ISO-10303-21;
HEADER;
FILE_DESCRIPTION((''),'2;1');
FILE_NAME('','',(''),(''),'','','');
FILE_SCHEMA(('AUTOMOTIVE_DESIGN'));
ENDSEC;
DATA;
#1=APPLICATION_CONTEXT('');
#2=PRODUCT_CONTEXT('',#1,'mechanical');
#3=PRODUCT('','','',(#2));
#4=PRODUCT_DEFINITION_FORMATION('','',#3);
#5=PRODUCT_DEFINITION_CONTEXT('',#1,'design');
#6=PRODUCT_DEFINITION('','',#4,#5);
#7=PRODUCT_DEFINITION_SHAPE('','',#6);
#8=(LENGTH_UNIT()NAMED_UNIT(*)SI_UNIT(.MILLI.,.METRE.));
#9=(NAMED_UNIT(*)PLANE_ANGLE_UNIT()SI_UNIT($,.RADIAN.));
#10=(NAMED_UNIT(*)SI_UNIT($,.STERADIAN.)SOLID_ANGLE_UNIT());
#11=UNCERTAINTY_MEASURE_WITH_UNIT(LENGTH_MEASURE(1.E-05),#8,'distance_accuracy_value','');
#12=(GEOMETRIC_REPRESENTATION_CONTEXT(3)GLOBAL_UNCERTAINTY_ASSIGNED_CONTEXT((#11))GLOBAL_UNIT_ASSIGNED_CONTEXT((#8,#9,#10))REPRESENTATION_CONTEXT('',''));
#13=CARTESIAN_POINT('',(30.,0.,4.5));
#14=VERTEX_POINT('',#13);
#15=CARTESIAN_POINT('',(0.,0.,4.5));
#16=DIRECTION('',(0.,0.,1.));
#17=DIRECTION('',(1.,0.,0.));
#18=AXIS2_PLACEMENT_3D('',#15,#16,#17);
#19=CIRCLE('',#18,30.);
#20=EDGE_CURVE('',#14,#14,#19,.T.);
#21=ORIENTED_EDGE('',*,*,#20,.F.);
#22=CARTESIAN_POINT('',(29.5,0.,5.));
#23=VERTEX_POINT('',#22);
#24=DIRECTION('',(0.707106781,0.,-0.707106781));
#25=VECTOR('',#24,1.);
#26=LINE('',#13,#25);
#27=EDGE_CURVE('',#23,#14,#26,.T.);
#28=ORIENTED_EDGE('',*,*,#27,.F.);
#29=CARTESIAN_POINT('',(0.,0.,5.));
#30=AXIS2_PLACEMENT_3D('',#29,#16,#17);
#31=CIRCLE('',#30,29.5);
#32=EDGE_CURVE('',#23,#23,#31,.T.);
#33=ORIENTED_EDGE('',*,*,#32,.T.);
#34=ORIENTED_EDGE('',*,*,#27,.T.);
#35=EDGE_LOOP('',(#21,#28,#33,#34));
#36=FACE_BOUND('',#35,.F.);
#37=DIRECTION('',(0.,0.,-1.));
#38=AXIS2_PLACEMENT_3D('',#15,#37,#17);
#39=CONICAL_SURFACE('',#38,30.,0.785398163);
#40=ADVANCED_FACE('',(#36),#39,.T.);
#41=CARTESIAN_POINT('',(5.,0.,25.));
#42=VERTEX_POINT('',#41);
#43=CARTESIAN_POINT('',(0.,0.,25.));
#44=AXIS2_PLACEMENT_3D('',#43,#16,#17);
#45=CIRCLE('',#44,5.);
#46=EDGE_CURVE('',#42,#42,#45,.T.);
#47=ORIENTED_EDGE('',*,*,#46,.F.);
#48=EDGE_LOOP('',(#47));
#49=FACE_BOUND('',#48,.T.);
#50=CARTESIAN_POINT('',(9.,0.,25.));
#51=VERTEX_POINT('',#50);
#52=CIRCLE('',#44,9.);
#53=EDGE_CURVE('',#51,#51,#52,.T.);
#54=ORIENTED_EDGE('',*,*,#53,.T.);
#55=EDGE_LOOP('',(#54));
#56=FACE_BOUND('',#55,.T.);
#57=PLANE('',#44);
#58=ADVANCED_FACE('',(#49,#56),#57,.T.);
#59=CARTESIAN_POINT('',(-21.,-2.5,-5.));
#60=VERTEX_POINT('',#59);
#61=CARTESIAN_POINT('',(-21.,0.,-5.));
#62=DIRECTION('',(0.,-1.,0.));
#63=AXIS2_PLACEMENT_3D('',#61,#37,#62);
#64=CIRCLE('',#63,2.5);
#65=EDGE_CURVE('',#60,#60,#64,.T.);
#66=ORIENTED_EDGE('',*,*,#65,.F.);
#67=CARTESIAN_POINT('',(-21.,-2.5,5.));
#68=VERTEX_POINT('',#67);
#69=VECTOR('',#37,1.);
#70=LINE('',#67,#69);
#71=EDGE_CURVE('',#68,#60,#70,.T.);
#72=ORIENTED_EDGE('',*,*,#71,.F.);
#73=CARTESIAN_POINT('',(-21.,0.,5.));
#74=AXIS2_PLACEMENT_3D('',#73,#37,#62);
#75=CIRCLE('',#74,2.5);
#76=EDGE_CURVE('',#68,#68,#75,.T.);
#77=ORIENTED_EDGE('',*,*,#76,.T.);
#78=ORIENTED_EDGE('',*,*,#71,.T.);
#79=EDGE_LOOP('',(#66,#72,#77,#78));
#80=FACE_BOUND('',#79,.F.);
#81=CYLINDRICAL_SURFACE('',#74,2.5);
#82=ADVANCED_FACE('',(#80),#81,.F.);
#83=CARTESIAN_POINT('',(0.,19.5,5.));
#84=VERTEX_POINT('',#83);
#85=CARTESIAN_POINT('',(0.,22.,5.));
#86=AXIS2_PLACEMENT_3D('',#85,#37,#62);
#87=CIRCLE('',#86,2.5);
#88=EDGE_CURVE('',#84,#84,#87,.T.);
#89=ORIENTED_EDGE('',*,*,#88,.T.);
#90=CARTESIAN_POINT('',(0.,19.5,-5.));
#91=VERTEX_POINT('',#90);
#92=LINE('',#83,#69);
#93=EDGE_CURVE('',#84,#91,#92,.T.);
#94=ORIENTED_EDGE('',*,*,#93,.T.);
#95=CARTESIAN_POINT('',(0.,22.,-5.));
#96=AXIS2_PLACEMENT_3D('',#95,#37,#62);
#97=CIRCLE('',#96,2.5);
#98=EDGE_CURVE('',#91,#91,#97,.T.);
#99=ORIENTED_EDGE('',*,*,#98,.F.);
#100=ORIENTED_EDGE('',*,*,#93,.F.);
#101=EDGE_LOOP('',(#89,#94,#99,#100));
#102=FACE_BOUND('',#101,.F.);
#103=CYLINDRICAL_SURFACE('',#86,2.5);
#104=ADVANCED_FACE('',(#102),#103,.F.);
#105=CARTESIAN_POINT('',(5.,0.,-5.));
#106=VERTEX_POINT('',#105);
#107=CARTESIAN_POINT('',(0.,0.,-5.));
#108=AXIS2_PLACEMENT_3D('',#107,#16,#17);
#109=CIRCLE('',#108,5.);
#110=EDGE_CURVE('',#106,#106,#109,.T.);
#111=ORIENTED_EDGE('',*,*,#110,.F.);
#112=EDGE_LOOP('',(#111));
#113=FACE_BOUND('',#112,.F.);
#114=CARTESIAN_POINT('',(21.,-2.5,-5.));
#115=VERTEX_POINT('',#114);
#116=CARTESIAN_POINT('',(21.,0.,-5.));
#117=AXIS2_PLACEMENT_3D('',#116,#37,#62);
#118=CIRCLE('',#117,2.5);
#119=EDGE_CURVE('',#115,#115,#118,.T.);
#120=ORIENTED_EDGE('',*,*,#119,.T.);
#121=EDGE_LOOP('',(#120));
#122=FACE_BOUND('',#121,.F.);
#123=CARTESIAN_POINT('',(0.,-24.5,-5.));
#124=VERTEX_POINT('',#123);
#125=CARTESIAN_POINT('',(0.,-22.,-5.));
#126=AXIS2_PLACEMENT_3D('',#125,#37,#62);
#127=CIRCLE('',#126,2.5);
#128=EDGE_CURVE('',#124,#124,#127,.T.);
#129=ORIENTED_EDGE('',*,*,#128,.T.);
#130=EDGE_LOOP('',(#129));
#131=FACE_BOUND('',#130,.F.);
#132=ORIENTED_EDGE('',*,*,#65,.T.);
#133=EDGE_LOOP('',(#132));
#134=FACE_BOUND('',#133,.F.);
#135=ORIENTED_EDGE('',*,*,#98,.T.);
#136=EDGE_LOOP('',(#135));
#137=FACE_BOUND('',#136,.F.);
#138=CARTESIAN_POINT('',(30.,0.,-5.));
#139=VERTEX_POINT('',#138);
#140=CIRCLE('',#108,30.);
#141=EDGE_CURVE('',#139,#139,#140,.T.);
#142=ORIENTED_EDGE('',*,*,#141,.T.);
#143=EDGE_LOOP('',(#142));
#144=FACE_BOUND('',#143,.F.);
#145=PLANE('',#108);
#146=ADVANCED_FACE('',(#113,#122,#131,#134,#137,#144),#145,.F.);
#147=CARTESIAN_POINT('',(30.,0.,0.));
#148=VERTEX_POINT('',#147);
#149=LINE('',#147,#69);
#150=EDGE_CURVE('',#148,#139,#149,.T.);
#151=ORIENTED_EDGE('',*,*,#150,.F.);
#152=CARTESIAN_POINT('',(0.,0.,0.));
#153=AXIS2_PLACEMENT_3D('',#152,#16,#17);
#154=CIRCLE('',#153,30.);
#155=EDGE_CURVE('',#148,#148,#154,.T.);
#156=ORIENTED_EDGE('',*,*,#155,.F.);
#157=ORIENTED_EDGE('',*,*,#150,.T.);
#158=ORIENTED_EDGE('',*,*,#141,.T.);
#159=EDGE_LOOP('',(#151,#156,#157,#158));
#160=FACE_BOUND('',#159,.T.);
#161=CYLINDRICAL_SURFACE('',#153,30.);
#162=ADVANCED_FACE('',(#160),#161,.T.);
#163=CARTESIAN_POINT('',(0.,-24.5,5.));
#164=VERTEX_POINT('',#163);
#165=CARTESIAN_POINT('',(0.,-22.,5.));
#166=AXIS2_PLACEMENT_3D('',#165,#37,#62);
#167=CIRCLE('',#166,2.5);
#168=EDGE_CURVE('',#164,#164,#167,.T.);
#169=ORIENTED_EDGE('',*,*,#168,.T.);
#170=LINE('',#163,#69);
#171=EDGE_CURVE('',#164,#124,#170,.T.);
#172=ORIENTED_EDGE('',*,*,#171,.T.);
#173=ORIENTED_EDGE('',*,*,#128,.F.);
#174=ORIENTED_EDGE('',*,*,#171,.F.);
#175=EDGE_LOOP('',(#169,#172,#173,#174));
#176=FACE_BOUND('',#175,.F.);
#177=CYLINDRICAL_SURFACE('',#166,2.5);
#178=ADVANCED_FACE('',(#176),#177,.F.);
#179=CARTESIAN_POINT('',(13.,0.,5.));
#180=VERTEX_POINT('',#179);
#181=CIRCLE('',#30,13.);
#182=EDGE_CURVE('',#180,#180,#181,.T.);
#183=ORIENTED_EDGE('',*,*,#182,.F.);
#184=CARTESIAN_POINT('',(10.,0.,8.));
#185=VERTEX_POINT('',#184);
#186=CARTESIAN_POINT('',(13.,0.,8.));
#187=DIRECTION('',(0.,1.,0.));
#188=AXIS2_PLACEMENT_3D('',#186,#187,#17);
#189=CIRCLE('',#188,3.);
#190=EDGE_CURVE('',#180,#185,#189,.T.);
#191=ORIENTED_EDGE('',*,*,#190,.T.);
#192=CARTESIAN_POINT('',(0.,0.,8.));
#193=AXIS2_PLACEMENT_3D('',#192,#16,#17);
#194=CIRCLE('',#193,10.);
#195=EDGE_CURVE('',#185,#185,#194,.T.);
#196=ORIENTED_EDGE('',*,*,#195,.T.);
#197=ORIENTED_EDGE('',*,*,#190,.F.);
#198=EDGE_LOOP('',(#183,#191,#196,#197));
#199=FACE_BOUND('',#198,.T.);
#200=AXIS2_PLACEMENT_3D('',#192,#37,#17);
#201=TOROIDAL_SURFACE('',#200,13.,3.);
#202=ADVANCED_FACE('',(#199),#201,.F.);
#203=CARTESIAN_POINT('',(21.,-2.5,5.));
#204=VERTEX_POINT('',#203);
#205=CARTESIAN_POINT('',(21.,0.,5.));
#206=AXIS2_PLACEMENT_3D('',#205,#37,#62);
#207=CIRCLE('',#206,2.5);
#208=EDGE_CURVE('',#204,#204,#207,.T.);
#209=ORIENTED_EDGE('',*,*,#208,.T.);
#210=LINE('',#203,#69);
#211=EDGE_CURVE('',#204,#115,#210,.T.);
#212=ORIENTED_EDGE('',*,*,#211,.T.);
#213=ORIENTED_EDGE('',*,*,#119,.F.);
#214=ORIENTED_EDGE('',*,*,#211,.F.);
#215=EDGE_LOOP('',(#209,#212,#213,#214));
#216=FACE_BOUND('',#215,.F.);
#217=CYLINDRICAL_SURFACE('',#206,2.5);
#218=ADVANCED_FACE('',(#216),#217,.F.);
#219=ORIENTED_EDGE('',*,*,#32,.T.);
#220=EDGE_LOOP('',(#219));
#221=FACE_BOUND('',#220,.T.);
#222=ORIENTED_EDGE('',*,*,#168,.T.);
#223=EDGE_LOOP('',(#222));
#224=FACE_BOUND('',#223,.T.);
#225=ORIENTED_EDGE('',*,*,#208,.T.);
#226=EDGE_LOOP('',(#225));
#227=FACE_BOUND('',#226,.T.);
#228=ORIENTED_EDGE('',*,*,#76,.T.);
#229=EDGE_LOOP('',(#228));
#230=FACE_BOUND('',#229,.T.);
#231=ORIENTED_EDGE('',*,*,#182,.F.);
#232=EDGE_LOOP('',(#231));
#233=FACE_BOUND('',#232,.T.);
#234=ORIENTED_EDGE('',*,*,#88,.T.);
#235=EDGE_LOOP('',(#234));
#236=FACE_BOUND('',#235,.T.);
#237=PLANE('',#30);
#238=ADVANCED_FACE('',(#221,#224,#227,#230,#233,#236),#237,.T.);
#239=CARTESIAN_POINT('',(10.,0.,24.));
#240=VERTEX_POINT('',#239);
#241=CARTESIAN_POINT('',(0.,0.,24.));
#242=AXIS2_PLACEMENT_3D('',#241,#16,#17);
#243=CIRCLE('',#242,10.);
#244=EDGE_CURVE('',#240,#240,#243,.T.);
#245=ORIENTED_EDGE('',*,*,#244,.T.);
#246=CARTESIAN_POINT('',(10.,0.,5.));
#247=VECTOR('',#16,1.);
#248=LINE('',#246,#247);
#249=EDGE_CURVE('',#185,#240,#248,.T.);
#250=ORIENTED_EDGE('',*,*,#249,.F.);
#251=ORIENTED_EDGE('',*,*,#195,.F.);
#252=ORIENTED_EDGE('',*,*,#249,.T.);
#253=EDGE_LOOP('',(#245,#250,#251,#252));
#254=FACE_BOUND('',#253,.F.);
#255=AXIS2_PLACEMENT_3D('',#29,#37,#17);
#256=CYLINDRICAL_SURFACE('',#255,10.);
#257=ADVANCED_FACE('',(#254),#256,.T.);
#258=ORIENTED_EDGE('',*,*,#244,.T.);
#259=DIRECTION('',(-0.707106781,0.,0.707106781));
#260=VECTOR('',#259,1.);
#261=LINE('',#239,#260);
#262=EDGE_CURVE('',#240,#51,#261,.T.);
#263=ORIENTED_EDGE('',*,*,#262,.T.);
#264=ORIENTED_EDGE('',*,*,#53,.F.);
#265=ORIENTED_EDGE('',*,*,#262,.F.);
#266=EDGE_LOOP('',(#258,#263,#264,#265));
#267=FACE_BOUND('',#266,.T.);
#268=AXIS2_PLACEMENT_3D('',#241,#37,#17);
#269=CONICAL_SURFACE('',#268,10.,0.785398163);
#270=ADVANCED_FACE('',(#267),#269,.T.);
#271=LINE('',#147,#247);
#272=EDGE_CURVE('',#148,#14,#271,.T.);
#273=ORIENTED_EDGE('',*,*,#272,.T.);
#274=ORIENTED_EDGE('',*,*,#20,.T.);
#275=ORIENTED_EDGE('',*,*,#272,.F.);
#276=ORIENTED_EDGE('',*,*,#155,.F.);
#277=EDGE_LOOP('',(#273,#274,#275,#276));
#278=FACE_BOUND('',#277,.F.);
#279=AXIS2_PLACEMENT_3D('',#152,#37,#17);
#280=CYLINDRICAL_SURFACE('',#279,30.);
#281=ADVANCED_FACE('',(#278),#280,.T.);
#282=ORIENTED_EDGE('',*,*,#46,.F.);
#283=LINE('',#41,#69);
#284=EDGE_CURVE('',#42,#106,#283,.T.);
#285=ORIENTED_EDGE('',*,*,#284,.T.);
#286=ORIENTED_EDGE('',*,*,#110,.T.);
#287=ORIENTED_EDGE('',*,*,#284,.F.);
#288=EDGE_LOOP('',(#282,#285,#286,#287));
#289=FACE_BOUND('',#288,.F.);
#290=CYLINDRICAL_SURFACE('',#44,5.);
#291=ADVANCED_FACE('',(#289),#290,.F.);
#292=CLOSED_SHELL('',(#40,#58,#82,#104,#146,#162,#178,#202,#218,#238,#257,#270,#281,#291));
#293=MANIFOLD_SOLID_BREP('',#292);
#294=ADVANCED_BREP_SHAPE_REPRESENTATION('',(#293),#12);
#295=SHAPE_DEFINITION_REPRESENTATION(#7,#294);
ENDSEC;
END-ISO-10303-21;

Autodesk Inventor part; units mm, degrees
ref_plane "YZ Plane" through (0, 0, 0) normal (1, 0, 0) x (0, 1, 0)
ref_plane "XZ Plane" through (0, 0, 0) normal (0, 1, 0) x (-1, 0, 0)
ref_plane "XY Plane" through (0, 0, 0) normal (0, 0, 1) x (1, 0, 0)
sketch "Sketch1" plane through (0, 0, 0) normal (0, 0, 1) x (1, 0, 0)
  circle A0 centre (0, 0) radius 30
  dimension "d0" = 60
extrude "Extrusion1" add sketch "Sketch1" along normal mid plane 10
sketch "Sketch2" plane through (0, 0, 5) normal (0, 0, 1) x (1, 0, 0)
  circle A0 centre (0, 0) radius 30 projected
  circle A1 centre (0, 0) radius 10
  dimension "d3" = 20
extrude "Extrusion2" add sketch "Sketch2" along normal blind 20 contours A1
sketch "Sketch3" plane through (0, 0, 25) normal (0, 0, 1) x (1, 0, 0)
  circle A0 centre (0, 0) radius 10 projected
  circle A1 centre (0, 0) radius 5
  dimension "d6" = 10
extrude "Extrusion3" cut sketch "Sketch3" against normal through all contours A1
fillet "Fillet1" radius 3 1 edges at (-10, 0, 5)
chamfer "Chamfer1" distance 1 angle 45 1 edges at (-10, 0, 25)
sketch "Sketch5" plane through (0, 0, 5) normal (0, 0, 1) x (1, 0, 0)
  circle A0 centre (0, 0) radius 30 projected
  circle A1 centre (0, 0) radius 5 projected
  point P0 (-21, 0)
  point P1 (21, 0)
  point P2 (0, 22)
  point P3 (0, -22)
  dimension "d14" = 21
  dimension "d15" = 22
  dimension "d16" = 21
  dimension "d17" = 22
hole "Hole1" at (-21, 0, 5) at (21, 0, 5) at (0, 22, 5) at (0, -22, 5) direction (0, 0, -1) diameter 5 end through all
chamfer "Chamfer2" distance 0.5 angle 45 1 edges at (-30, 0, 5)
properties part number "Flange"
